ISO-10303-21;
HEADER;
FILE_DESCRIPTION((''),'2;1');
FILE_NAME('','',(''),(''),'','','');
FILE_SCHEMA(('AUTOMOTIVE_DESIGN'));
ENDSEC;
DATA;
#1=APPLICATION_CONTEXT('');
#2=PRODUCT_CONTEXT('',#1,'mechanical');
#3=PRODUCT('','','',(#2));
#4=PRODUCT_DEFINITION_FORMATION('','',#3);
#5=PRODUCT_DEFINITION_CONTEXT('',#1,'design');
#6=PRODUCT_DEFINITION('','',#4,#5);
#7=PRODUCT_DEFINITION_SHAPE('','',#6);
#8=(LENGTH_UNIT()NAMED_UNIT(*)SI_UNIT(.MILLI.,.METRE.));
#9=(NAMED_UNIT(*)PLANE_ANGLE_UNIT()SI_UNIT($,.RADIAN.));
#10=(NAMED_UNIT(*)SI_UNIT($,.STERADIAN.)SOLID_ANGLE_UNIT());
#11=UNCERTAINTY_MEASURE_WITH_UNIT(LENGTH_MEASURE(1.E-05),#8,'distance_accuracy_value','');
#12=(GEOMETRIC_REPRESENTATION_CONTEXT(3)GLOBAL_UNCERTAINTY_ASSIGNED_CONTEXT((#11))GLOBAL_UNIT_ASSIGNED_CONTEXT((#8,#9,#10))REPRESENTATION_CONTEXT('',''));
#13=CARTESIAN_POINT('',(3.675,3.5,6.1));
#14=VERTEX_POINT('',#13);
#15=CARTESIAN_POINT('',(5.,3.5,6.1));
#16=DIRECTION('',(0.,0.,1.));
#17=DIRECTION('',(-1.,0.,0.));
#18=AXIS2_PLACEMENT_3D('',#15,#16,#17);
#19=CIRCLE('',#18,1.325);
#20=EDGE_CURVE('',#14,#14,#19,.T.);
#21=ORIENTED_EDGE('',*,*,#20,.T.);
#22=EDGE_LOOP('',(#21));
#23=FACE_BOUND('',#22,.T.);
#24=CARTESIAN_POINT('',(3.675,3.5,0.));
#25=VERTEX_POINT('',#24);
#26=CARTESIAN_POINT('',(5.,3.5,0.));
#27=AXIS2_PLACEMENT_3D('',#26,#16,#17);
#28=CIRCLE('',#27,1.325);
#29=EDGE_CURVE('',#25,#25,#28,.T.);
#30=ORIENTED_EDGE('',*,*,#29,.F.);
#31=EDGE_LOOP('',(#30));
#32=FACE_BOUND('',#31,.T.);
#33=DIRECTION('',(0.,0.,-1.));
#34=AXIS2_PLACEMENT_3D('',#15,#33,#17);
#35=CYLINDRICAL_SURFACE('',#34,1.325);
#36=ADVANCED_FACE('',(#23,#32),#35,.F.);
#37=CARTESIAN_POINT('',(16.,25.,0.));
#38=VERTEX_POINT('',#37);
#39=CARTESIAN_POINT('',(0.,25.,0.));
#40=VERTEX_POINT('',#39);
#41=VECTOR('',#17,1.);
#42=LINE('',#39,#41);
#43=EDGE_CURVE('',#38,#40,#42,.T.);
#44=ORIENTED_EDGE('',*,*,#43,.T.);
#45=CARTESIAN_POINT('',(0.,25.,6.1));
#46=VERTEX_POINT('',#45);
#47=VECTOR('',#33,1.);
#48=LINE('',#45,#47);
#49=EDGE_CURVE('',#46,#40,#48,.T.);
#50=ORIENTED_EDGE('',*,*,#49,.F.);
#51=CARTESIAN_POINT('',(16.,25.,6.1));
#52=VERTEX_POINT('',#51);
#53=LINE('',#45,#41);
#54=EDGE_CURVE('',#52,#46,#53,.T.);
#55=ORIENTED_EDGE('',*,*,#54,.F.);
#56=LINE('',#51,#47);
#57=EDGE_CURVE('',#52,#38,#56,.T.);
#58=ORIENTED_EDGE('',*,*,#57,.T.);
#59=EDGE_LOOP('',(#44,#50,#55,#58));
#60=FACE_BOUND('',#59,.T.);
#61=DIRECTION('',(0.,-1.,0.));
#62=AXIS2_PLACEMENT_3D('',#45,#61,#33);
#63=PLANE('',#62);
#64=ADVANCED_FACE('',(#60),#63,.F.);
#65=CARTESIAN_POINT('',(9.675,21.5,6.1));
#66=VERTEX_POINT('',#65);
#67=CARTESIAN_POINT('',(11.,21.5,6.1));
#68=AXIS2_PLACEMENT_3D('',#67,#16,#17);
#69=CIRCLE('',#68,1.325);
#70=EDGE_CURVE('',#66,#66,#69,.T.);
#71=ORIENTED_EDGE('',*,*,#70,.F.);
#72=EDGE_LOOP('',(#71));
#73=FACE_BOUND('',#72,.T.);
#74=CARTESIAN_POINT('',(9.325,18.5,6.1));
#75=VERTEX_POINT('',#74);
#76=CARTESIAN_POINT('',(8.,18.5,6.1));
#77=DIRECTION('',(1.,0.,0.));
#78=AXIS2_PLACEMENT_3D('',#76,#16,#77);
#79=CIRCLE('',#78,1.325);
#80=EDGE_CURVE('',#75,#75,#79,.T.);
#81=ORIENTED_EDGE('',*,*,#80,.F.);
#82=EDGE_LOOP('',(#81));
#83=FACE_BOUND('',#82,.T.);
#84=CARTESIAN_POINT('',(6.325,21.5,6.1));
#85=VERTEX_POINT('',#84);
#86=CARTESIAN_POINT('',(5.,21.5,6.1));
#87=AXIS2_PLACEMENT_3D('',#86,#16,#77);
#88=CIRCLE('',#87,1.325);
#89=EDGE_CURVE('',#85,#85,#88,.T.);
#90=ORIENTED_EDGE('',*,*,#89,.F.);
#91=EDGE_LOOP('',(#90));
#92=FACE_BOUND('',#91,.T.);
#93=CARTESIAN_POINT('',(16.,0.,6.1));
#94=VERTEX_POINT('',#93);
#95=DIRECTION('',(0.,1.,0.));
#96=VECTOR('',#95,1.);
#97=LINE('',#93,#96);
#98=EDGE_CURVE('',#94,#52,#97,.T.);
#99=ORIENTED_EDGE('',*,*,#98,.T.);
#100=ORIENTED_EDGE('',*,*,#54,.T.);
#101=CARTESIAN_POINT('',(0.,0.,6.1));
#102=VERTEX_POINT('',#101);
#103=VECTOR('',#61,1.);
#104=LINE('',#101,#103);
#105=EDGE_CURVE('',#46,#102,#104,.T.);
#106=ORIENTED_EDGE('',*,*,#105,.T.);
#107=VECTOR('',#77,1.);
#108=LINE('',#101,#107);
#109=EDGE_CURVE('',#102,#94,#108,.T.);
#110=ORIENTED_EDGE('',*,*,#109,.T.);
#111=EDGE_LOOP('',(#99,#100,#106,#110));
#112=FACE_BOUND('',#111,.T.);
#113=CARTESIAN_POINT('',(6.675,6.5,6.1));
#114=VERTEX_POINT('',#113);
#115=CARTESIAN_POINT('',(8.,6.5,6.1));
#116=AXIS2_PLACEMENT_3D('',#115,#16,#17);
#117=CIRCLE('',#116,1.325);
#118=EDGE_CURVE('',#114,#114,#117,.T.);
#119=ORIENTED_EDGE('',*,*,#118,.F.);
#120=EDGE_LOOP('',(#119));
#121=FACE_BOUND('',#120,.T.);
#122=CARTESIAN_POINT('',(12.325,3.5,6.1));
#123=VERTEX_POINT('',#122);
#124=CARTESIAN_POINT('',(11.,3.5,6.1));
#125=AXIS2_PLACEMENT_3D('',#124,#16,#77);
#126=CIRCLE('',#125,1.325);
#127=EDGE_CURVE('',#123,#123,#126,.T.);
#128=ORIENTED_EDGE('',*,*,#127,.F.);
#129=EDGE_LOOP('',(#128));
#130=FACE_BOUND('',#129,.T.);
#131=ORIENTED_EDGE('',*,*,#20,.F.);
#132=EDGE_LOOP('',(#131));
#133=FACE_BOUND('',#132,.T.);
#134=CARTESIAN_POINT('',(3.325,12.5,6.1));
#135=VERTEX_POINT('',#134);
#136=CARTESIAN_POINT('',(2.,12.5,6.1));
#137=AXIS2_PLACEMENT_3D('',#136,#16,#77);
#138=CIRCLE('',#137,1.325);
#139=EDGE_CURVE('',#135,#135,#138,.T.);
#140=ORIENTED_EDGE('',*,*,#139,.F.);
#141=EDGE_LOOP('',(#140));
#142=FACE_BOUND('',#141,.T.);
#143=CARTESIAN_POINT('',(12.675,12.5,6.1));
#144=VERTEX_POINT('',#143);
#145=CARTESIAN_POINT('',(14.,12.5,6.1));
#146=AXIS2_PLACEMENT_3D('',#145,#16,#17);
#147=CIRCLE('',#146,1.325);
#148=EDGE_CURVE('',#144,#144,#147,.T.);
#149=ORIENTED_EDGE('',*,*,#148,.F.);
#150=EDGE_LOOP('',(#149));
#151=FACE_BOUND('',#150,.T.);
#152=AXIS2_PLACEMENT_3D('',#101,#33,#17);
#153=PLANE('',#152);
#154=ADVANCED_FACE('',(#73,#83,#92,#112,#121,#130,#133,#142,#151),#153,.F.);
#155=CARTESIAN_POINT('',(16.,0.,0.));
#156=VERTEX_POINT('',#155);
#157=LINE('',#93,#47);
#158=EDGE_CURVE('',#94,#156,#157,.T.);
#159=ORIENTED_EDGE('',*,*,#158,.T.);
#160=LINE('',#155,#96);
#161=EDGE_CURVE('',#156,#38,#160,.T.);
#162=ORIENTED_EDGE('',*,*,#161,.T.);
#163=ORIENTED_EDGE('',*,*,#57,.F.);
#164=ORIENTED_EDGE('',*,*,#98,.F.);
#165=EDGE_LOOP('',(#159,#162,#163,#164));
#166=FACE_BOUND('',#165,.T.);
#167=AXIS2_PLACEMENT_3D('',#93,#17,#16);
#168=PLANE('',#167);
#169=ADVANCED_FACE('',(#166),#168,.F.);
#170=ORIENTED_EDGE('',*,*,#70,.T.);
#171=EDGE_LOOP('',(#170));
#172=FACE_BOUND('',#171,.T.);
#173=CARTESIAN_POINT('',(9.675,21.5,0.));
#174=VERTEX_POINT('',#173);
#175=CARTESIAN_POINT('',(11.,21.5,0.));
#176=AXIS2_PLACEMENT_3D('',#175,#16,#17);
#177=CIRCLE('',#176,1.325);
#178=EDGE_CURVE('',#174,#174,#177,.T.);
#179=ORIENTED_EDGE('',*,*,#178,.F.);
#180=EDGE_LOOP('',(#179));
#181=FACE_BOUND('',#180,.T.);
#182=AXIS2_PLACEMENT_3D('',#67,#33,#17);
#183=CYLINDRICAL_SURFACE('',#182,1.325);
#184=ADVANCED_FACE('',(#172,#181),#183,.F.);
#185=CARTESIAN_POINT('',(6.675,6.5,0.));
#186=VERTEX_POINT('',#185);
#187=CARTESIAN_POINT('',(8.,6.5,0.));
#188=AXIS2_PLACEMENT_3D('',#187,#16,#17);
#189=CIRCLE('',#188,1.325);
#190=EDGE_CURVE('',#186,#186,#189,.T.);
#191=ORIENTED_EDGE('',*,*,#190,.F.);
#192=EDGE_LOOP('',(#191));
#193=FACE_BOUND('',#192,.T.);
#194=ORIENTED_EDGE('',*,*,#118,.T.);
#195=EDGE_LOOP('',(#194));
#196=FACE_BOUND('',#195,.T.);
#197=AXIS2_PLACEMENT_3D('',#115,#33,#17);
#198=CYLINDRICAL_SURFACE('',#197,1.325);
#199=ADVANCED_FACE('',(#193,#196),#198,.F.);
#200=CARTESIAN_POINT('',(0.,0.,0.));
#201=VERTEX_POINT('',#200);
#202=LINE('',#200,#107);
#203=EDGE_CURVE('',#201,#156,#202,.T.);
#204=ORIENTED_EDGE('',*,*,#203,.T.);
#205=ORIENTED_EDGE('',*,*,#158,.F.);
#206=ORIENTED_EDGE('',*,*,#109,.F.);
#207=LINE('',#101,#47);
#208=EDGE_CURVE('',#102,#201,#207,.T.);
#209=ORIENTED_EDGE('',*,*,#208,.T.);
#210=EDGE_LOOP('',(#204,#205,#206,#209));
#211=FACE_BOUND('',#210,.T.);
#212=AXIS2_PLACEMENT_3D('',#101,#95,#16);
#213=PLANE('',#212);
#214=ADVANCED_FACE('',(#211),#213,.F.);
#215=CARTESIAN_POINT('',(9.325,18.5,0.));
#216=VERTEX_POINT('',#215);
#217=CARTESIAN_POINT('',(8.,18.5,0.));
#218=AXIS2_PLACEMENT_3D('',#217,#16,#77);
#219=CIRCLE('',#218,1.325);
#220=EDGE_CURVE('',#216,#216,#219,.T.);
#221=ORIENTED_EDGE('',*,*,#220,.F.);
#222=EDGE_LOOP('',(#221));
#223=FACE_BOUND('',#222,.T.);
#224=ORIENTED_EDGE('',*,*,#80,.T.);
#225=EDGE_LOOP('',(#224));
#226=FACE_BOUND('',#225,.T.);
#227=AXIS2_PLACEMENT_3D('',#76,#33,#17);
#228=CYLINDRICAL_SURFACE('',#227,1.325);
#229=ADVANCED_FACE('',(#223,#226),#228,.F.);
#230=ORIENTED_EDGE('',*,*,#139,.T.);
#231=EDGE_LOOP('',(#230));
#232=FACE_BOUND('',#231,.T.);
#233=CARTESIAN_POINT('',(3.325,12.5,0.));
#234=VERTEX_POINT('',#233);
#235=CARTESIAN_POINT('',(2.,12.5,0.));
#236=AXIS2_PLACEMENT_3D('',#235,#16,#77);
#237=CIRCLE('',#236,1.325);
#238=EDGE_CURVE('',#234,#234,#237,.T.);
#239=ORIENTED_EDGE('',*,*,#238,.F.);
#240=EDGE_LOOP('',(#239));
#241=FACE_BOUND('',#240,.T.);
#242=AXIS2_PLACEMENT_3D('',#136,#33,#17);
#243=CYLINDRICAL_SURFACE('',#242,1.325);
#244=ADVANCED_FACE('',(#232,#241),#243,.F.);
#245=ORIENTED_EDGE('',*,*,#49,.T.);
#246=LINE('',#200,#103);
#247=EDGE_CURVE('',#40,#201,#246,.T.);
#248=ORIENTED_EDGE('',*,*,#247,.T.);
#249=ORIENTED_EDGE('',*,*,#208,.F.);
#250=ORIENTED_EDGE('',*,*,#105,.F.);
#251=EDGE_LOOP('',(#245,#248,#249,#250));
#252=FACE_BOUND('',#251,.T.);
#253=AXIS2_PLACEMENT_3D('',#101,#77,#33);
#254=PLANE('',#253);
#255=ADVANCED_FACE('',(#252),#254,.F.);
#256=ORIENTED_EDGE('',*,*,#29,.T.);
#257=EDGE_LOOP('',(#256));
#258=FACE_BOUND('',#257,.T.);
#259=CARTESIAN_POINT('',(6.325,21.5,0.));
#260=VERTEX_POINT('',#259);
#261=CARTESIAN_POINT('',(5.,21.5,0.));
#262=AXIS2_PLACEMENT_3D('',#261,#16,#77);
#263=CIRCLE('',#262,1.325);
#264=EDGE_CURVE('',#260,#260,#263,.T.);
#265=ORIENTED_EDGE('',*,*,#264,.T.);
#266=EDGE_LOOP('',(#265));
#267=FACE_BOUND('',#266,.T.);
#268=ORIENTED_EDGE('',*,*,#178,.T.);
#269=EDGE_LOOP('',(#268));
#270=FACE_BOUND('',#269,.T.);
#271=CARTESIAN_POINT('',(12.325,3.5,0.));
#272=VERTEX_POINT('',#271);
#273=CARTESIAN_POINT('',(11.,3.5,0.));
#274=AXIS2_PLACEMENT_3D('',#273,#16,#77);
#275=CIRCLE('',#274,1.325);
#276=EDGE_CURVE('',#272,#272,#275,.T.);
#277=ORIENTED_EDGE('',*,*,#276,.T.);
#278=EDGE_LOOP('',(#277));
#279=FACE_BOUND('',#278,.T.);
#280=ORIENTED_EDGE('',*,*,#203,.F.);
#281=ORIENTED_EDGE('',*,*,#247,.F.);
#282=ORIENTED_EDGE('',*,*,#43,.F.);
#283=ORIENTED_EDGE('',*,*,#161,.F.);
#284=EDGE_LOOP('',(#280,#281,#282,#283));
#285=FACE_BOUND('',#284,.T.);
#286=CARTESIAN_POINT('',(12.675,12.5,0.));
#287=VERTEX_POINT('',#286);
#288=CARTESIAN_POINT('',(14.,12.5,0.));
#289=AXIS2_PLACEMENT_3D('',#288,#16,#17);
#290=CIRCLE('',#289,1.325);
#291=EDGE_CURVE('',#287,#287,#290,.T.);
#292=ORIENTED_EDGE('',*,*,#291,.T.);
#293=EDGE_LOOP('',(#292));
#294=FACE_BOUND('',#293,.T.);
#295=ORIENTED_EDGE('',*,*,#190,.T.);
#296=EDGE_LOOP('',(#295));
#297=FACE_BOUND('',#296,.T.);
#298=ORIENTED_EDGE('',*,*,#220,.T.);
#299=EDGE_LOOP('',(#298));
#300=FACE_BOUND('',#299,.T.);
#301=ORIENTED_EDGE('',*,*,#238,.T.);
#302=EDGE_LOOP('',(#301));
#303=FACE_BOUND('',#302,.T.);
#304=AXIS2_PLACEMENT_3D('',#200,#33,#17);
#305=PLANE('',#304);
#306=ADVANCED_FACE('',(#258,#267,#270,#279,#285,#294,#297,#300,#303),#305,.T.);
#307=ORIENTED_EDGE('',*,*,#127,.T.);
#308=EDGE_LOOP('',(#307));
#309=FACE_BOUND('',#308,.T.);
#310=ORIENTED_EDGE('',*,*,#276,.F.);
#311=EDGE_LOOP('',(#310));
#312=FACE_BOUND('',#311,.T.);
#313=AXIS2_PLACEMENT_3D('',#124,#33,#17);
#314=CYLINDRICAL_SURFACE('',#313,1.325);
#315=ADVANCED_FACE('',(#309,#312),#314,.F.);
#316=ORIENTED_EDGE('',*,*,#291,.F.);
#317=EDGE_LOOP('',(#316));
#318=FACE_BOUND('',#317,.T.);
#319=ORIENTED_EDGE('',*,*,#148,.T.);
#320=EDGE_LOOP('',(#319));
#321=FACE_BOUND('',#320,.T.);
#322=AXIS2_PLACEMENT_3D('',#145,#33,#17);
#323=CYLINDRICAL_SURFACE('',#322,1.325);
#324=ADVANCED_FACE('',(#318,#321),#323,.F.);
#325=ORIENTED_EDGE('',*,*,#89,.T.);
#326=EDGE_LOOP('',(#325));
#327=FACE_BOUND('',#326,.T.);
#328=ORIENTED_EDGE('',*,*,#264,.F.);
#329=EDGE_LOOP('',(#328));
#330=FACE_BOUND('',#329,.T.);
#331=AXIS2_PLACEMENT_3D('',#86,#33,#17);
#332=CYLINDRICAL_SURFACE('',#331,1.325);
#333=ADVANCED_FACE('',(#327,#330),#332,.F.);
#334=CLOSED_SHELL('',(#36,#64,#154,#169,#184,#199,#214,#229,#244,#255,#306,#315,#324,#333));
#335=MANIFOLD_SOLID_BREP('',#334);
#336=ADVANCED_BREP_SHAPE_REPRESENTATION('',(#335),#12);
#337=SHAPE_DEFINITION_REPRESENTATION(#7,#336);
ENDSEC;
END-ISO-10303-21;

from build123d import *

# Parameters (mm, degrees)
SKETCH1_W           = 16
SKETCH1_H           = 25
SKETCH1_R           = 1.325
BOSS_EXTRUDE1_DEPTH = 6.1


with BuildPart() as part:
    # Sketch1 → Boss-Extrude1 (new body)
    with BuildSketch(Plane.XY):
        with Locations((8, 12.5)):
            Rectangle(SKETCH1_W, SKETCH1_H)
        with Locations((2, 12.5)):
            Circle(SKETCH1_R, mode=Mode.SUBTRACT)
        with Locations((8, 18.5)):
            Circle(SKETCH1_R, mode=Mode.SUBTRACT)
        with Locations((5, 21.5)):
            Circle(SKETCH1_R, mode=Mode.SUBTRACT)
        with Locations(Location((14, 12.5, 0), (0, 0, 180))):
            Circle(SKETCH1_R, mode=Mode.SUBTRACT)
        with Locations(Location((11, 21.5, 0), (0, 0, 180))):
            Circle(SKETCH1_R, mode=Mode.SUBTRACT)
        with Locations(Location((5, 3.5, 0), (0, 0, 180))):
            Circle(SKETCH1_R, mode=Mode.SUBTRACT)
        with Locations((11, 3.5)):
            Circle(SKETCH1_R, mode=Mode.SUBTRACT)
        with Locations(Location((8, 6.5, 0), (0, 0, 180))):
            Circle(SKETCH1_R, mode=Mode.SUBTRACT)
    extrude(amount=BOSS_EXTRUDE1_DEPTH)


solid = part.part
